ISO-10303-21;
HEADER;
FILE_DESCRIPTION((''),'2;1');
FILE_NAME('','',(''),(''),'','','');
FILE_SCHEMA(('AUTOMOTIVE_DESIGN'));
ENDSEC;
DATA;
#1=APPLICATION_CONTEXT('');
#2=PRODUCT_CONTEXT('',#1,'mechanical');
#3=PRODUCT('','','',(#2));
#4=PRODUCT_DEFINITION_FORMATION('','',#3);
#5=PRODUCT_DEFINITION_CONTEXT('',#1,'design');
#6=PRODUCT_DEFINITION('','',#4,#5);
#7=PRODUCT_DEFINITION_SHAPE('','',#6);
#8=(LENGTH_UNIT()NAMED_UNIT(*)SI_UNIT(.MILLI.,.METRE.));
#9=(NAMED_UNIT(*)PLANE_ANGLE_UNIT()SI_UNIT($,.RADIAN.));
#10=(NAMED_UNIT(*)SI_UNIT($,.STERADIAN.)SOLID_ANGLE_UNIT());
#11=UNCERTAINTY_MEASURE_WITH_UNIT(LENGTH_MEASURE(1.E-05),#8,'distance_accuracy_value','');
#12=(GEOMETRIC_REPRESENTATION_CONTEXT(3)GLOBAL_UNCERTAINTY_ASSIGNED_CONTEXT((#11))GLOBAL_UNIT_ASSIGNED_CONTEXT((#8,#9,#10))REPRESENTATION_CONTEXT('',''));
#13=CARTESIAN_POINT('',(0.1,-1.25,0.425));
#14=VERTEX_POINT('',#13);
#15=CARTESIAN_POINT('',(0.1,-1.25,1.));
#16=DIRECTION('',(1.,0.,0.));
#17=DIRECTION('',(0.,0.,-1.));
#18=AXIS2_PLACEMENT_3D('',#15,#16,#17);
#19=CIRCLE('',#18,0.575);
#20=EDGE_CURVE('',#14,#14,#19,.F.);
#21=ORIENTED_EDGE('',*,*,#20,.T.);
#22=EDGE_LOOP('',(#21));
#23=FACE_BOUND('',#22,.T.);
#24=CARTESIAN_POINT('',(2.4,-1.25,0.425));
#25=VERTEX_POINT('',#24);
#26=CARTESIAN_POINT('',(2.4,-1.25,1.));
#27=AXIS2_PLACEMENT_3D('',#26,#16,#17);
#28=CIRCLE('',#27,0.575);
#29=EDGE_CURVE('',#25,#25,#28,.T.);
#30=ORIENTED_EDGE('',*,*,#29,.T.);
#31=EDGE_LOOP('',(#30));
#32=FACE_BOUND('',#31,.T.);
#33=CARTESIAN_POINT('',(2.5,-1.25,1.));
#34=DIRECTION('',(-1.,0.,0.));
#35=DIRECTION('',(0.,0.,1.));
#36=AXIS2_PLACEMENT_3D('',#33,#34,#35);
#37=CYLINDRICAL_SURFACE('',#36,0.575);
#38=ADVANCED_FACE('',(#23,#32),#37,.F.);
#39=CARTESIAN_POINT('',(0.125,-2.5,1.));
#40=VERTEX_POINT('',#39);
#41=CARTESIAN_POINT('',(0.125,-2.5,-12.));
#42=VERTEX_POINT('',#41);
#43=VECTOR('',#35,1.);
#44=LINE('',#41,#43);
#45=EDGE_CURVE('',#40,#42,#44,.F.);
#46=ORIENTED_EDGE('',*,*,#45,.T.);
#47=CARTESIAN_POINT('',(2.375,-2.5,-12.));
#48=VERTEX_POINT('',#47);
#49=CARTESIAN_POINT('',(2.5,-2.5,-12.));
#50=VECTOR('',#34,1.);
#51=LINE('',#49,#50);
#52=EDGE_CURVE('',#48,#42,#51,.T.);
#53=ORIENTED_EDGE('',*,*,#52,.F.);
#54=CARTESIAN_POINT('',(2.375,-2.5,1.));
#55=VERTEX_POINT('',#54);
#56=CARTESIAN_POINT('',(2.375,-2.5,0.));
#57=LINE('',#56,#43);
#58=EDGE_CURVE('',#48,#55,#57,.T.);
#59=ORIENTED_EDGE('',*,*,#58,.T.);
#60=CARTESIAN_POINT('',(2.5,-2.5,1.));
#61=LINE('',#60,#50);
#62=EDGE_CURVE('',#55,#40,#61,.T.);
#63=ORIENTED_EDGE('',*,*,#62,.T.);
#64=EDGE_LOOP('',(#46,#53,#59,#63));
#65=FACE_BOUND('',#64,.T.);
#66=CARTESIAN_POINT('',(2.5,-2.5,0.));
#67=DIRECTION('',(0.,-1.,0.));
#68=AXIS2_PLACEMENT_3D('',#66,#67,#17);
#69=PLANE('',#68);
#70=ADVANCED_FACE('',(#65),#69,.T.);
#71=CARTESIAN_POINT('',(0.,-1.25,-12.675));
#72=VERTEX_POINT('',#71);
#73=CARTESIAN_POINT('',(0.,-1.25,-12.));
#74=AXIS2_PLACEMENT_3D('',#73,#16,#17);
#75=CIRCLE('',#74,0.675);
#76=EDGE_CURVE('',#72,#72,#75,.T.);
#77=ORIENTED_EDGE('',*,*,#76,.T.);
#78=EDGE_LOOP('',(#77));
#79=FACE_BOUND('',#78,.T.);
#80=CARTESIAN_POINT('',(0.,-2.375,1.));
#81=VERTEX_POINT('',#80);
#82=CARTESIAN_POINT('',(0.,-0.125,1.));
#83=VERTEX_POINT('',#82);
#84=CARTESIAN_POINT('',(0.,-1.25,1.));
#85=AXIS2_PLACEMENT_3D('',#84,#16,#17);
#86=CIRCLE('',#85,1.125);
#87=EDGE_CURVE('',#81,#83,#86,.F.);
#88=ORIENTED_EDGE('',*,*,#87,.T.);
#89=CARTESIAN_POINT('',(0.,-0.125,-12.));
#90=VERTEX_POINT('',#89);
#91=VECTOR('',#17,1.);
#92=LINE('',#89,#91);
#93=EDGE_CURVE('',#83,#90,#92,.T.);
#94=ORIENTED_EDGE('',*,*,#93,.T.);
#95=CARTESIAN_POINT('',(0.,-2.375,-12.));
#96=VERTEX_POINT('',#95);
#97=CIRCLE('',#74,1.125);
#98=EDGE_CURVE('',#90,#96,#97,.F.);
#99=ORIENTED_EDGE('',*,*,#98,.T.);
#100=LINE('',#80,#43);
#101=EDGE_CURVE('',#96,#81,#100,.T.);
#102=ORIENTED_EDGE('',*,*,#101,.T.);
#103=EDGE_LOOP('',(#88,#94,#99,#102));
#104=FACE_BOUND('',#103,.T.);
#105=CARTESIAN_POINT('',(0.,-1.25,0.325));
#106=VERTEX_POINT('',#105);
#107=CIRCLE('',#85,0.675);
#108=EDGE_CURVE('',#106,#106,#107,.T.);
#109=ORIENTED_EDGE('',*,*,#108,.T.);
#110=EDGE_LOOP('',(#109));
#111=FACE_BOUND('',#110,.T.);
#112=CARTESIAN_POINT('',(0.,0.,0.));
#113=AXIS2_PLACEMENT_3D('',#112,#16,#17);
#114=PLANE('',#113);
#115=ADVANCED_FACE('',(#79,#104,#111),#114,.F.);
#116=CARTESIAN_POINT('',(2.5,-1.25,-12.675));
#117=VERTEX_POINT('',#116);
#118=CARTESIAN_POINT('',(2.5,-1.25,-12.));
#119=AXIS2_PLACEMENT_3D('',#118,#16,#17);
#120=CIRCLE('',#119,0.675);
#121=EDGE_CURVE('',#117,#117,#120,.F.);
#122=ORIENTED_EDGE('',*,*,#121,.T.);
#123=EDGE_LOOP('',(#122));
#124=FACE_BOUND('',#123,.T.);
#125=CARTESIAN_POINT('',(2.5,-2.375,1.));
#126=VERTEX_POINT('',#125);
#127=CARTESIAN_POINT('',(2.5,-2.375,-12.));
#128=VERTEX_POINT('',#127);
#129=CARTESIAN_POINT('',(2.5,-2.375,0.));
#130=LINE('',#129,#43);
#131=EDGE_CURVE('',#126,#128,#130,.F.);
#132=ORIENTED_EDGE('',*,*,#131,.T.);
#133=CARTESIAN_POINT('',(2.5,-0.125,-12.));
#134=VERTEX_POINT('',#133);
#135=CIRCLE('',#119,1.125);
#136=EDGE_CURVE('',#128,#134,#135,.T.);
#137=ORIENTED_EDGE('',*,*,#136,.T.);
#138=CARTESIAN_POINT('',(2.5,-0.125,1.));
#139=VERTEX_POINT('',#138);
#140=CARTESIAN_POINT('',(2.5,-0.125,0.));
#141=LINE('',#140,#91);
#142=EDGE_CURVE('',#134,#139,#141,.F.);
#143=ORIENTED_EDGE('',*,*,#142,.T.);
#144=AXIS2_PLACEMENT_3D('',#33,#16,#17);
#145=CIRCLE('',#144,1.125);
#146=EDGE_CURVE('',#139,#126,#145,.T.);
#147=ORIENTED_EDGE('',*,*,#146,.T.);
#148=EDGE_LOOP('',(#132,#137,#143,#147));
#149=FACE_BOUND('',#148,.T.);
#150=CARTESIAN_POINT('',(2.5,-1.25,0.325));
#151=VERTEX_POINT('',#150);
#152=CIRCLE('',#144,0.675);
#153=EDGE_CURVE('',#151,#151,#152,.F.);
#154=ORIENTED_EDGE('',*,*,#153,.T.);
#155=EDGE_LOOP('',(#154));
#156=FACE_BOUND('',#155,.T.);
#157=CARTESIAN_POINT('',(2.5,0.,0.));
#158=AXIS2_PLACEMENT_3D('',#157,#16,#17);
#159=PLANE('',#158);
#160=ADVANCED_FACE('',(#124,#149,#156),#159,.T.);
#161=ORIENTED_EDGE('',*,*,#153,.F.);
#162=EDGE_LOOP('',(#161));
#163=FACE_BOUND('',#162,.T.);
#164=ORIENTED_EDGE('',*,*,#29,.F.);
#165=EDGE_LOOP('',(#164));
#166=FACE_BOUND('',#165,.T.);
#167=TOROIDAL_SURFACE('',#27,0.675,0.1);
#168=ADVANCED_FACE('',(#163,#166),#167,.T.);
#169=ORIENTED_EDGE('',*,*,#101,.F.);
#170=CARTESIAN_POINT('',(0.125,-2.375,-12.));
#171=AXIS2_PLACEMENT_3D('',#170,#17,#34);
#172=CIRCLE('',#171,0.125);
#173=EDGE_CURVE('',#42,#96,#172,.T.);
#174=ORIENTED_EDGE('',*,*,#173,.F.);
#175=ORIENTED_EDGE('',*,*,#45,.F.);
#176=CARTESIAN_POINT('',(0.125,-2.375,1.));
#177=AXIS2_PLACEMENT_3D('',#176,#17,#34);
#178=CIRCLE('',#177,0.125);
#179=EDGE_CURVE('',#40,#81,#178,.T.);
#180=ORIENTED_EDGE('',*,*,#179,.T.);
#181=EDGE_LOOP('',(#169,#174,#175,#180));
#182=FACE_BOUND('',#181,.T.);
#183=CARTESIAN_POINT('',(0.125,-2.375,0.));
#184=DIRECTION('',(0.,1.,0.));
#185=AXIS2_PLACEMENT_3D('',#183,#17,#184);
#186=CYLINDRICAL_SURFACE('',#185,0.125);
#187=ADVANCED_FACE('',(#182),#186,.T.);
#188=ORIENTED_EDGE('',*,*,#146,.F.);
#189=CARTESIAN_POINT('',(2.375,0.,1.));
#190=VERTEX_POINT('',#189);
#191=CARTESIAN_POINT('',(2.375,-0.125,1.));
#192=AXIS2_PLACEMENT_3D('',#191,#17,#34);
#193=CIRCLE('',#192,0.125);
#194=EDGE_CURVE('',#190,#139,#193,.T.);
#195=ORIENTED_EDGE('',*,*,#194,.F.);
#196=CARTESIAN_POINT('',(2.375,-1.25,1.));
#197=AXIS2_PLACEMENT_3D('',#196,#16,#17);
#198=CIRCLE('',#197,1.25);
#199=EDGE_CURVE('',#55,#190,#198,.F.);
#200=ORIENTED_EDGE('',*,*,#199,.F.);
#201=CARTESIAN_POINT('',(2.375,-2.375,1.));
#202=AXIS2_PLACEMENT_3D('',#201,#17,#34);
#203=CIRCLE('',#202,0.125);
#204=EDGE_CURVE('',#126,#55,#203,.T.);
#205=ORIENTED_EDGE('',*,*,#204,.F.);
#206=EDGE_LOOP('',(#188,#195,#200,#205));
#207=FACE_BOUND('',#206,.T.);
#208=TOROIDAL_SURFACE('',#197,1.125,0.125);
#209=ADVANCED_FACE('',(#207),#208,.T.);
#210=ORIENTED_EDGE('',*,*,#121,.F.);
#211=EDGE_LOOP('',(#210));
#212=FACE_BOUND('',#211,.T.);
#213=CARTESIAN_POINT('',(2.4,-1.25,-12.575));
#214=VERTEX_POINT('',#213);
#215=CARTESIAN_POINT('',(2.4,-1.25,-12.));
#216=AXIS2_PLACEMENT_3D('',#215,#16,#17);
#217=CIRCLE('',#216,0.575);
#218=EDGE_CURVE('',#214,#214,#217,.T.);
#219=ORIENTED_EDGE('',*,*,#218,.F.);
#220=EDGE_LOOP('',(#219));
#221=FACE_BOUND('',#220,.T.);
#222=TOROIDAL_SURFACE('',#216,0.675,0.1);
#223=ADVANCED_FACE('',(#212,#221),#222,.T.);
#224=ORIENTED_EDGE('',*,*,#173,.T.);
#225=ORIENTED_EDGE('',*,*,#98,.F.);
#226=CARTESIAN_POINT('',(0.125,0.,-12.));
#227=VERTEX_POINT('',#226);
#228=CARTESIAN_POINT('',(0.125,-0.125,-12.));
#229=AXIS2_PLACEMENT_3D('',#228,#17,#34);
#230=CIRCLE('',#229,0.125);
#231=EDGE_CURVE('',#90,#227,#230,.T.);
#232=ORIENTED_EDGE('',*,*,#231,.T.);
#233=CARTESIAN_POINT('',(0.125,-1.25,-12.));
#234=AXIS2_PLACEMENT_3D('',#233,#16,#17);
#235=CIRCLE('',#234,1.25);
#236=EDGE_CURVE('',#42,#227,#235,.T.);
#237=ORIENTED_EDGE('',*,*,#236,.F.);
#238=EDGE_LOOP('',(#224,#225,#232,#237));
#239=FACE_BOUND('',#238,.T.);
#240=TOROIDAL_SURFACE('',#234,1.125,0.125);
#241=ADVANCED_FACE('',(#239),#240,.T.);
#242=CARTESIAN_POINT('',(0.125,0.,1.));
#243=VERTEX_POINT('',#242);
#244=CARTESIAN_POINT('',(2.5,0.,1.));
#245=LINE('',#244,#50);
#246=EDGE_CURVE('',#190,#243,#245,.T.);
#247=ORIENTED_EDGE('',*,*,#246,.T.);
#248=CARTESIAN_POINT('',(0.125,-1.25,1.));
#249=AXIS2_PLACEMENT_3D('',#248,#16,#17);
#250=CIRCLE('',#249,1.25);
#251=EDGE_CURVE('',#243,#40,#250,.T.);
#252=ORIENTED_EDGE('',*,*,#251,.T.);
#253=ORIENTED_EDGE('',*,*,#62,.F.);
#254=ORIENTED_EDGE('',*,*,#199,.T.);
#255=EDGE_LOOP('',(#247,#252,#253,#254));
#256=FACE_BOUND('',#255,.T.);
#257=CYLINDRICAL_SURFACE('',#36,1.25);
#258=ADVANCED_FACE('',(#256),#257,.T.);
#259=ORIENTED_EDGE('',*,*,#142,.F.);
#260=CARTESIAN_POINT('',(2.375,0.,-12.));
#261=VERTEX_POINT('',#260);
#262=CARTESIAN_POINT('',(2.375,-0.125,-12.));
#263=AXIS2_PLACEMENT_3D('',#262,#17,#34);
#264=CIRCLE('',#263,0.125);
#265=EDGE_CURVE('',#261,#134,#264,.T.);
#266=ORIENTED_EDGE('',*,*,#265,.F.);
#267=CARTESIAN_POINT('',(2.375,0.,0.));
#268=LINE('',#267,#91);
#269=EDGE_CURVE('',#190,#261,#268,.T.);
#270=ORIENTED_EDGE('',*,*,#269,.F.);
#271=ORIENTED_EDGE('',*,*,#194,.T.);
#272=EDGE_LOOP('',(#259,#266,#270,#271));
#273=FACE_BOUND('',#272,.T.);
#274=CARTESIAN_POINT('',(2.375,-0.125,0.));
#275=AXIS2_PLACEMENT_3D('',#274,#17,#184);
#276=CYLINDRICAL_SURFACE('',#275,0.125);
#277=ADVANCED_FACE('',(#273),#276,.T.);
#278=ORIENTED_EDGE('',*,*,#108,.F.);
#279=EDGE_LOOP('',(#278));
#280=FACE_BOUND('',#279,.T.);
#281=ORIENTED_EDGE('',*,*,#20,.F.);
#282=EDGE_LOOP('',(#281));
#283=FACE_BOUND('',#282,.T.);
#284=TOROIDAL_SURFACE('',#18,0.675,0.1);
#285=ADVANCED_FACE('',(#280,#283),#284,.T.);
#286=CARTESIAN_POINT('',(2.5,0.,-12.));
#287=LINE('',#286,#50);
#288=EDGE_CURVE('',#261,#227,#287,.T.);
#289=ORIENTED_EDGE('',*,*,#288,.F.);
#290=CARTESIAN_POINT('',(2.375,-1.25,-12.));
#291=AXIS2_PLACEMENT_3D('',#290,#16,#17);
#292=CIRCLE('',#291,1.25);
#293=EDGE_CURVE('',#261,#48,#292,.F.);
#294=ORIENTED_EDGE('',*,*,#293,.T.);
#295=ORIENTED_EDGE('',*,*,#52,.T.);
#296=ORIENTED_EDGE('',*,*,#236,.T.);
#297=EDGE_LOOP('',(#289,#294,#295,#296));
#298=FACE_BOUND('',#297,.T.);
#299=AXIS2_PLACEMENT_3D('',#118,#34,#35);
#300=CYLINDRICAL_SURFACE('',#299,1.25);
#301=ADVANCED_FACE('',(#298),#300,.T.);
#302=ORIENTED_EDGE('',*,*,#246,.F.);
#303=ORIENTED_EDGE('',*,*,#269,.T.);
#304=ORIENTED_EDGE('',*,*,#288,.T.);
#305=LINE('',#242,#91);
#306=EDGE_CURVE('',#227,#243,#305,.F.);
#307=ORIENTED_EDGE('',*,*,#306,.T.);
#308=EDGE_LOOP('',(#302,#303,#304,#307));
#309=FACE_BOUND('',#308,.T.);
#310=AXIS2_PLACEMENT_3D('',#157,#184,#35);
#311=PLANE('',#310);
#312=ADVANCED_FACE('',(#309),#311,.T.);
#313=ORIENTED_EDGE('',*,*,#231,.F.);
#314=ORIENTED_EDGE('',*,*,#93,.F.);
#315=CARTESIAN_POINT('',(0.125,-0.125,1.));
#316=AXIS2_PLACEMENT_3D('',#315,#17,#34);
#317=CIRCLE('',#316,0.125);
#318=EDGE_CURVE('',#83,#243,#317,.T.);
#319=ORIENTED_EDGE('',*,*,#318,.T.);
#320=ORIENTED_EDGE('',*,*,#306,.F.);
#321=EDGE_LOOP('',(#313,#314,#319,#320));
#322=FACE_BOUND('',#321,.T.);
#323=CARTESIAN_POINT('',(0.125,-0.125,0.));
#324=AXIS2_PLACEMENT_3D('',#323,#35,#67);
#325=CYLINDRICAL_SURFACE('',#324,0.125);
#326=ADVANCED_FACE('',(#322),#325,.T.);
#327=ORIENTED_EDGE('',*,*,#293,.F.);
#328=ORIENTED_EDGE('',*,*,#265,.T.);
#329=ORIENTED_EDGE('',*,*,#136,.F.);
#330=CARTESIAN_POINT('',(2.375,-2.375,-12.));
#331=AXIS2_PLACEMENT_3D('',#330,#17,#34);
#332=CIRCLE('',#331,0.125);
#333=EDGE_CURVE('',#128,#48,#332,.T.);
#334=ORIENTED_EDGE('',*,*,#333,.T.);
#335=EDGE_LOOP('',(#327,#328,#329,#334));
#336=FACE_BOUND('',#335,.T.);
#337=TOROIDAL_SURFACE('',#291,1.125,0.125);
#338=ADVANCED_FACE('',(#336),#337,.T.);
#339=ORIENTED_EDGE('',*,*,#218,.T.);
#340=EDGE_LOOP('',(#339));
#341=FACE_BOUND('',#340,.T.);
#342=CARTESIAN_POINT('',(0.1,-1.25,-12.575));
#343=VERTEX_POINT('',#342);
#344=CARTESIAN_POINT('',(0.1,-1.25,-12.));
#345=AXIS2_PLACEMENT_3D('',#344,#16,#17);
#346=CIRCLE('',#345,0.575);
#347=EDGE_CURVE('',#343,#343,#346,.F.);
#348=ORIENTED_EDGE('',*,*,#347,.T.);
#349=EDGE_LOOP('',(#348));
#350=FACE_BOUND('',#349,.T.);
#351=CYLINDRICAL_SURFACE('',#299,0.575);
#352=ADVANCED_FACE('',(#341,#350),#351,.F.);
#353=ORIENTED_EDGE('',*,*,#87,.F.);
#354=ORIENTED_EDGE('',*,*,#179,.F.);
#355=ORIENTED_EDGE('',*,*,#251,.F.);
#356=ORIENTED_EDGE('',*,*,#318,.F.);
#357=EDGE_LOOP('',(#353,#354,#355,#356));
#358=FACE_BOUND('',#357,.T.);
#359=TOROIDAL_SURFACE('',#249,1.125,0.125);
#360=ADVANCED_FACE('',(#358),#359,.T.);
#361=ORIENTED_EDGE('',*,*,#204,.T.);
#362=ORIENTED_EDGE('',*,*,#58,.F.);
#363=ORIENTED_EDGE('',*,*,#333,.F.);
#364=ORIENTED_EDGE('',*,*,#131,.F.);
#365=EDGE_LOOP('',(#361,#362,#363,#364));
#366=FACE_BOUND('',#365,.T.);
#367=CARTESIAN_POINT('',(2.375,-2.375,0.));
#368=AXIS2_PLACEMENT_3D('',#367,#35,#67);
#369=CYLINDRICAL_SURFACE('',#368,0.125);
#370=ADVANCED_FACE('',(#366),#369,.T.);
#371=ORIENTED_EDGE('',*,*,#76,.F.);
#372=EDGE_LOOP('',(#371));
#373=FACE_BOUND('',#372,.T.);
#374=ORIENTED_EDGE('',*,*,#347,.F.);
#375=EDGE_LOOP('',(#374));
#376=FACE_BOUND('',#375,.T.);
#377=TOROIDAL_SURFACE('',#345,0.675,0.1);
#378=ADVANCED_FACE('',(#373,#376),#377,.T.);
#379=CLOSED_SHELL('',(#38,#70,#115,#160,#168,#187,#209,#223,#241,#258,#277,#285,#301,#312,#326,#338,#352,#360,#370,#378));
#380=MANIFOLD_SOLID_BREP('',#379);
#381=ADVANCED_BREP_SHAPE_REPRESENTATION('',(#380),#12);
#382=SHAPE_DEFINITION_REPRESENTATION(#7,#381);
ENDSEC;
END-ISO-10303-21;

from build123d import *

# Parameters (mm, degrees)
SKETCH1_R           = 0.575
BOSS_EXTRUDE1_DEPTH = 2.5
FILLET1_R           = 0.125
FILLET2_R           = 0.1


with BuildPart() as part:
    # Sketch1 → Boss-Extrude1 (new body)
    with BuildSketch(Plane(origin=(0, 0, 0), x_dir=(0, 0, -1), z_dir=(1, 0, 0))):
        with BuildLine():
            ThreePointArc((12, 0), (13.25, -1.25), (12, -2.5))
            Line((12, -2.5), (11, -2.5))
            Line((11, -2.5), (0, -2.5))
            Line((0, -2.5), (-1, -2.5))
            ThreePointArc((-1, -2.5), (-2.25, -1.25), (-1, 0))
            Line((-1, 0), (0, 0))
            Line((0, 0), (11, 0))
            Line((11, 0), (12, 0))
        make_face()
        with Locations((12, -1.25)):
            Circle(SKETCH1_R, mode=Mode.SUBTRACT)
        with Locations((-1, -1.25)):
            Circle(SKETCH1_R, mode=Mode.SUBTRACT)
    extrude(amount=BOSS_EXTRUDE1_DEPTH)

    # Fillet1
    fillet1_edges = [part.edges().sort_by_distance(p)[0] for p in [
        (0, -1.25, 2.25),
        (0, 0, -5.5),
        (0, -1.25, -13.25),
        (2.5, 0, -5.5),
        (2.5, -1.25, 2.25),
        (2.5, -2.5, -5.5),
        (2.5, -1.25, -13.25),
        (0, -2.5, -5.5),
    ]]
    fillet(fillet1_edges, radius=FILLET1_R)

    # Fillet2
    fillet2_edges = [part.edges().sort_by_distance(p)[0] for p in [
        (2.5, -1.25, -11.425),
        (2.5, -1.25, 1.575),
        (0, -1.25, 1.575),
        (0, -1.25, -11.425),
    ]]
    fillet(fillet2_edges, radius=FILLET2_R)


solid = part.part
